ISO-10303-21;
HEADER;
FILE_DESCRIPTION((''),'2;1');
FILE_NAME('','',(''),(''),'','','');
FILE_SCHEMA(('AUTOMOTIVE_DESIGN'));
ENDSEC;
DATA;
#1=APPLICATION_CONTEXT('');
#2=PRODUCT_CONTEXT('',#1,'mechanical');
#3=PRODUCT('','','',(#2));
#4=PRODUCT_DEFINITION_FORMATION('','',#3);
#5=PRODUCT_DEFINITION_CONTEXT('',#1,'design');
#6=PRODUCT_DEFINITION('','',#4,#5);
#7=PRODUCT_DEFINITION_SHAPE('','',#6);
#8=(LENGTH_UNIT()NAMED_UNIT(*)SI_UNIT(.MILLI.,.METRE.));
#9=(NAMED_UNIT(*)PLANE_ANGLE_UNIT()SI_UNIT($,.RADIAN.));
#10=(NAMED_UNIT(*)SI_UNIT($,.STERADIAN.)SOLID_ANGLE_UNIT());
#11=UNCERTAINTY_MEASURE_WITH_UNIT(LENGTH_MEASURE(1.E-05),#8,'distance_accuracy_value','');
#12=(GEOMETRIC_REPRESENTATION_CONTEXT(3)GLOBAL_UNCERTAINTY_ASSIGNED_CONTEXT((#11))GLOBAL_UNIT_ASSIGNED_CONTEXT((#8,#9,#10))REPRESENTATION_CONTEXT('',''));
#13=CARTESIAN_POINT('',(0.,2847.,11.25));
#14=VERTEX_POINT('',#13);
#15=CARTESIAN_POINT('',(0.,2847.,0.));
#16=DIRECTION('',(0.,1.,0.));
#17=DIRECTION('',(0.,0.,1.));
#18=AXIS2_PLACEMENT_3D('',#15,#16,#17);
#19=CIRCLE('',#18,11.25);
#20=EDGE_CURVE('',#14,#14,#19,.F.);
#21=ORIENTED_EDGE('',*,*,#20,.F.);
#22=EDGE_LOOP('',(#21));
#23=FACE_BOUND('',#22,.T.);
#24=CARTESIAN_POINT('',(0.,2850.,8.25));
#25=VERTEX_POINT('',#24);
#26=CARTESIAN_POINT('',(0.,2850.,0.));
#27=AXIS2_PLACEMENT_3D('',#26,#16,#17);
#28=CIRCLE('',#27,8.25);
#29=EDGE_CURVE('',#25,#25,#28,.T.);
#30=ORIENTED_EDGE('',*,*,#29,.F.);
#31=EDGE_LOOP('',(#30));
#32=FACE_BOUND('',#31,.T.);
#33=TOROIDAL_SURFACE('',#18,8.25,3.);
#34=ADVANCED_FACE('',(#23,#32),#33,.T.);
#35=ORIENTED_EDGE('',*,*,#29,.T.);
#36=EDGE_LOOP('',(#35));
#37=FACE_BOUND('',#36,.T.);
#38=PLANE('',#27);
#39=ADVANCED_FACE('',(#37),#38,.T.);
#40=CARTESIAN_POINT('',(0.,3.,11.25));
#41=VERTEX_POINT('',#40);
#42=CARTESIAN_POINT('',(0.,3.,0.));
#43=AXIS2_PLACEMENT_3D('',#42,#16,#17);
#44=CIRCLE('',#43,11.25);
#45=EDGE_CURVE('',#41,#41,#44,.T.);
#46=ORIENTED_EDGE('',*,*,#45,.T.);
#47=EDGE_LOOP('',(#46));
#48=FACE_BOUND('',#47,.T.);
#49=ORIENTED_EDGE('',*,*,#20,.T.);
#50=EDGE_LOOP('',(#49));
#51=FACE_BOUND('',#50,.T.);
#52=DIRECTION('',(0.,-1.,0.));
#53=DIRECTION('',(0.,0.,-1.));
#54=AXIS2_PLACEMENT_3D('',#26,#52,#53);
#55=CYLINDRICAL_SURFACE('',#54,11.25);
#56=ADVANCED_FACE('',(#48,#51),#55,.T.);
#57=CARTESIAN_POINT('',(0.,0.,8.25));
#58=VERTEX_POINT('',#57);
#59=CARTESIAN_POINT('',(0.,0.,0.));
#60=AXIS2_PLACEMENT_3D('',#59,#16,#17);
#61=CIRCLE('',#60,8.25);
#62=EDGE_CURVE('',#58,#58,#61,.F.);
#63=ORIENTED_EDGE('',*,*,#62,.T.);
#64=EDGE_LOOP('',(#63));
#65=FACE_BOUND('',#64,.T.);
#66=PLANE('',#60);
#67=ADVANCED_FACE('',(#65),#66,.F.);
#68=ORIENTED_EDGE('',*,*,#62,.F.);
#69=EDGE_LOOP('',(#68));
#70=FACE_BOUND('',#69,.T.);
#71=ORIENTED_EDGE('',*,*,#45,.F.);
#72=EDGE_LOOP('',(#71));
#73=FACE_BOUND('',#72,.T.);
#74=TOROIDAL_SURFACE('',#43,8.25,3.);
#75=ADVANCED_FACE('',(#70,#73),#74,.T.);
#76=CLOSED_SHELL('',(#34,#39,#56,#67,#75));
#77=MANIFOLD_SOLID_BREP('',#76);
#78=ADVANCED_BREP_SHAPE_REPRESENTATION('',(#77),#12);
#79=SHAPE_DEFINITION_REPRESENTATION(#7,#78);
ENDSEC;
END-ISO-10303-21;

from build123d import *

# Parameters (mm, degrees)
SKETCH1_R           = 11.25
BOSS_EXTRUDE1_DEPTH = 2850
FILLET1_R           = 3


with BuildPart() as part:
    # Sketch1 → Boss-Extrude1 (new body)
    with BuildSketch(Plane(origin=(0, 0, 0), x_dir=(1, 0, 0), z_dir=(0, 1, 0))):
        Circle(SKETCH1_R)
    extrude(amount=BOSS_EXTRUDE1_DEPTH)

    # Fillet1
    fillet1_edges = [part.edges().sort_by_distance(p)[0] for p in [
        (-11.25, 0, 0),
        (-11.25, 2850, 0),
    ]]
    fillet(fillet1_edges, radius=FILLET1_R)


solid = part.part
